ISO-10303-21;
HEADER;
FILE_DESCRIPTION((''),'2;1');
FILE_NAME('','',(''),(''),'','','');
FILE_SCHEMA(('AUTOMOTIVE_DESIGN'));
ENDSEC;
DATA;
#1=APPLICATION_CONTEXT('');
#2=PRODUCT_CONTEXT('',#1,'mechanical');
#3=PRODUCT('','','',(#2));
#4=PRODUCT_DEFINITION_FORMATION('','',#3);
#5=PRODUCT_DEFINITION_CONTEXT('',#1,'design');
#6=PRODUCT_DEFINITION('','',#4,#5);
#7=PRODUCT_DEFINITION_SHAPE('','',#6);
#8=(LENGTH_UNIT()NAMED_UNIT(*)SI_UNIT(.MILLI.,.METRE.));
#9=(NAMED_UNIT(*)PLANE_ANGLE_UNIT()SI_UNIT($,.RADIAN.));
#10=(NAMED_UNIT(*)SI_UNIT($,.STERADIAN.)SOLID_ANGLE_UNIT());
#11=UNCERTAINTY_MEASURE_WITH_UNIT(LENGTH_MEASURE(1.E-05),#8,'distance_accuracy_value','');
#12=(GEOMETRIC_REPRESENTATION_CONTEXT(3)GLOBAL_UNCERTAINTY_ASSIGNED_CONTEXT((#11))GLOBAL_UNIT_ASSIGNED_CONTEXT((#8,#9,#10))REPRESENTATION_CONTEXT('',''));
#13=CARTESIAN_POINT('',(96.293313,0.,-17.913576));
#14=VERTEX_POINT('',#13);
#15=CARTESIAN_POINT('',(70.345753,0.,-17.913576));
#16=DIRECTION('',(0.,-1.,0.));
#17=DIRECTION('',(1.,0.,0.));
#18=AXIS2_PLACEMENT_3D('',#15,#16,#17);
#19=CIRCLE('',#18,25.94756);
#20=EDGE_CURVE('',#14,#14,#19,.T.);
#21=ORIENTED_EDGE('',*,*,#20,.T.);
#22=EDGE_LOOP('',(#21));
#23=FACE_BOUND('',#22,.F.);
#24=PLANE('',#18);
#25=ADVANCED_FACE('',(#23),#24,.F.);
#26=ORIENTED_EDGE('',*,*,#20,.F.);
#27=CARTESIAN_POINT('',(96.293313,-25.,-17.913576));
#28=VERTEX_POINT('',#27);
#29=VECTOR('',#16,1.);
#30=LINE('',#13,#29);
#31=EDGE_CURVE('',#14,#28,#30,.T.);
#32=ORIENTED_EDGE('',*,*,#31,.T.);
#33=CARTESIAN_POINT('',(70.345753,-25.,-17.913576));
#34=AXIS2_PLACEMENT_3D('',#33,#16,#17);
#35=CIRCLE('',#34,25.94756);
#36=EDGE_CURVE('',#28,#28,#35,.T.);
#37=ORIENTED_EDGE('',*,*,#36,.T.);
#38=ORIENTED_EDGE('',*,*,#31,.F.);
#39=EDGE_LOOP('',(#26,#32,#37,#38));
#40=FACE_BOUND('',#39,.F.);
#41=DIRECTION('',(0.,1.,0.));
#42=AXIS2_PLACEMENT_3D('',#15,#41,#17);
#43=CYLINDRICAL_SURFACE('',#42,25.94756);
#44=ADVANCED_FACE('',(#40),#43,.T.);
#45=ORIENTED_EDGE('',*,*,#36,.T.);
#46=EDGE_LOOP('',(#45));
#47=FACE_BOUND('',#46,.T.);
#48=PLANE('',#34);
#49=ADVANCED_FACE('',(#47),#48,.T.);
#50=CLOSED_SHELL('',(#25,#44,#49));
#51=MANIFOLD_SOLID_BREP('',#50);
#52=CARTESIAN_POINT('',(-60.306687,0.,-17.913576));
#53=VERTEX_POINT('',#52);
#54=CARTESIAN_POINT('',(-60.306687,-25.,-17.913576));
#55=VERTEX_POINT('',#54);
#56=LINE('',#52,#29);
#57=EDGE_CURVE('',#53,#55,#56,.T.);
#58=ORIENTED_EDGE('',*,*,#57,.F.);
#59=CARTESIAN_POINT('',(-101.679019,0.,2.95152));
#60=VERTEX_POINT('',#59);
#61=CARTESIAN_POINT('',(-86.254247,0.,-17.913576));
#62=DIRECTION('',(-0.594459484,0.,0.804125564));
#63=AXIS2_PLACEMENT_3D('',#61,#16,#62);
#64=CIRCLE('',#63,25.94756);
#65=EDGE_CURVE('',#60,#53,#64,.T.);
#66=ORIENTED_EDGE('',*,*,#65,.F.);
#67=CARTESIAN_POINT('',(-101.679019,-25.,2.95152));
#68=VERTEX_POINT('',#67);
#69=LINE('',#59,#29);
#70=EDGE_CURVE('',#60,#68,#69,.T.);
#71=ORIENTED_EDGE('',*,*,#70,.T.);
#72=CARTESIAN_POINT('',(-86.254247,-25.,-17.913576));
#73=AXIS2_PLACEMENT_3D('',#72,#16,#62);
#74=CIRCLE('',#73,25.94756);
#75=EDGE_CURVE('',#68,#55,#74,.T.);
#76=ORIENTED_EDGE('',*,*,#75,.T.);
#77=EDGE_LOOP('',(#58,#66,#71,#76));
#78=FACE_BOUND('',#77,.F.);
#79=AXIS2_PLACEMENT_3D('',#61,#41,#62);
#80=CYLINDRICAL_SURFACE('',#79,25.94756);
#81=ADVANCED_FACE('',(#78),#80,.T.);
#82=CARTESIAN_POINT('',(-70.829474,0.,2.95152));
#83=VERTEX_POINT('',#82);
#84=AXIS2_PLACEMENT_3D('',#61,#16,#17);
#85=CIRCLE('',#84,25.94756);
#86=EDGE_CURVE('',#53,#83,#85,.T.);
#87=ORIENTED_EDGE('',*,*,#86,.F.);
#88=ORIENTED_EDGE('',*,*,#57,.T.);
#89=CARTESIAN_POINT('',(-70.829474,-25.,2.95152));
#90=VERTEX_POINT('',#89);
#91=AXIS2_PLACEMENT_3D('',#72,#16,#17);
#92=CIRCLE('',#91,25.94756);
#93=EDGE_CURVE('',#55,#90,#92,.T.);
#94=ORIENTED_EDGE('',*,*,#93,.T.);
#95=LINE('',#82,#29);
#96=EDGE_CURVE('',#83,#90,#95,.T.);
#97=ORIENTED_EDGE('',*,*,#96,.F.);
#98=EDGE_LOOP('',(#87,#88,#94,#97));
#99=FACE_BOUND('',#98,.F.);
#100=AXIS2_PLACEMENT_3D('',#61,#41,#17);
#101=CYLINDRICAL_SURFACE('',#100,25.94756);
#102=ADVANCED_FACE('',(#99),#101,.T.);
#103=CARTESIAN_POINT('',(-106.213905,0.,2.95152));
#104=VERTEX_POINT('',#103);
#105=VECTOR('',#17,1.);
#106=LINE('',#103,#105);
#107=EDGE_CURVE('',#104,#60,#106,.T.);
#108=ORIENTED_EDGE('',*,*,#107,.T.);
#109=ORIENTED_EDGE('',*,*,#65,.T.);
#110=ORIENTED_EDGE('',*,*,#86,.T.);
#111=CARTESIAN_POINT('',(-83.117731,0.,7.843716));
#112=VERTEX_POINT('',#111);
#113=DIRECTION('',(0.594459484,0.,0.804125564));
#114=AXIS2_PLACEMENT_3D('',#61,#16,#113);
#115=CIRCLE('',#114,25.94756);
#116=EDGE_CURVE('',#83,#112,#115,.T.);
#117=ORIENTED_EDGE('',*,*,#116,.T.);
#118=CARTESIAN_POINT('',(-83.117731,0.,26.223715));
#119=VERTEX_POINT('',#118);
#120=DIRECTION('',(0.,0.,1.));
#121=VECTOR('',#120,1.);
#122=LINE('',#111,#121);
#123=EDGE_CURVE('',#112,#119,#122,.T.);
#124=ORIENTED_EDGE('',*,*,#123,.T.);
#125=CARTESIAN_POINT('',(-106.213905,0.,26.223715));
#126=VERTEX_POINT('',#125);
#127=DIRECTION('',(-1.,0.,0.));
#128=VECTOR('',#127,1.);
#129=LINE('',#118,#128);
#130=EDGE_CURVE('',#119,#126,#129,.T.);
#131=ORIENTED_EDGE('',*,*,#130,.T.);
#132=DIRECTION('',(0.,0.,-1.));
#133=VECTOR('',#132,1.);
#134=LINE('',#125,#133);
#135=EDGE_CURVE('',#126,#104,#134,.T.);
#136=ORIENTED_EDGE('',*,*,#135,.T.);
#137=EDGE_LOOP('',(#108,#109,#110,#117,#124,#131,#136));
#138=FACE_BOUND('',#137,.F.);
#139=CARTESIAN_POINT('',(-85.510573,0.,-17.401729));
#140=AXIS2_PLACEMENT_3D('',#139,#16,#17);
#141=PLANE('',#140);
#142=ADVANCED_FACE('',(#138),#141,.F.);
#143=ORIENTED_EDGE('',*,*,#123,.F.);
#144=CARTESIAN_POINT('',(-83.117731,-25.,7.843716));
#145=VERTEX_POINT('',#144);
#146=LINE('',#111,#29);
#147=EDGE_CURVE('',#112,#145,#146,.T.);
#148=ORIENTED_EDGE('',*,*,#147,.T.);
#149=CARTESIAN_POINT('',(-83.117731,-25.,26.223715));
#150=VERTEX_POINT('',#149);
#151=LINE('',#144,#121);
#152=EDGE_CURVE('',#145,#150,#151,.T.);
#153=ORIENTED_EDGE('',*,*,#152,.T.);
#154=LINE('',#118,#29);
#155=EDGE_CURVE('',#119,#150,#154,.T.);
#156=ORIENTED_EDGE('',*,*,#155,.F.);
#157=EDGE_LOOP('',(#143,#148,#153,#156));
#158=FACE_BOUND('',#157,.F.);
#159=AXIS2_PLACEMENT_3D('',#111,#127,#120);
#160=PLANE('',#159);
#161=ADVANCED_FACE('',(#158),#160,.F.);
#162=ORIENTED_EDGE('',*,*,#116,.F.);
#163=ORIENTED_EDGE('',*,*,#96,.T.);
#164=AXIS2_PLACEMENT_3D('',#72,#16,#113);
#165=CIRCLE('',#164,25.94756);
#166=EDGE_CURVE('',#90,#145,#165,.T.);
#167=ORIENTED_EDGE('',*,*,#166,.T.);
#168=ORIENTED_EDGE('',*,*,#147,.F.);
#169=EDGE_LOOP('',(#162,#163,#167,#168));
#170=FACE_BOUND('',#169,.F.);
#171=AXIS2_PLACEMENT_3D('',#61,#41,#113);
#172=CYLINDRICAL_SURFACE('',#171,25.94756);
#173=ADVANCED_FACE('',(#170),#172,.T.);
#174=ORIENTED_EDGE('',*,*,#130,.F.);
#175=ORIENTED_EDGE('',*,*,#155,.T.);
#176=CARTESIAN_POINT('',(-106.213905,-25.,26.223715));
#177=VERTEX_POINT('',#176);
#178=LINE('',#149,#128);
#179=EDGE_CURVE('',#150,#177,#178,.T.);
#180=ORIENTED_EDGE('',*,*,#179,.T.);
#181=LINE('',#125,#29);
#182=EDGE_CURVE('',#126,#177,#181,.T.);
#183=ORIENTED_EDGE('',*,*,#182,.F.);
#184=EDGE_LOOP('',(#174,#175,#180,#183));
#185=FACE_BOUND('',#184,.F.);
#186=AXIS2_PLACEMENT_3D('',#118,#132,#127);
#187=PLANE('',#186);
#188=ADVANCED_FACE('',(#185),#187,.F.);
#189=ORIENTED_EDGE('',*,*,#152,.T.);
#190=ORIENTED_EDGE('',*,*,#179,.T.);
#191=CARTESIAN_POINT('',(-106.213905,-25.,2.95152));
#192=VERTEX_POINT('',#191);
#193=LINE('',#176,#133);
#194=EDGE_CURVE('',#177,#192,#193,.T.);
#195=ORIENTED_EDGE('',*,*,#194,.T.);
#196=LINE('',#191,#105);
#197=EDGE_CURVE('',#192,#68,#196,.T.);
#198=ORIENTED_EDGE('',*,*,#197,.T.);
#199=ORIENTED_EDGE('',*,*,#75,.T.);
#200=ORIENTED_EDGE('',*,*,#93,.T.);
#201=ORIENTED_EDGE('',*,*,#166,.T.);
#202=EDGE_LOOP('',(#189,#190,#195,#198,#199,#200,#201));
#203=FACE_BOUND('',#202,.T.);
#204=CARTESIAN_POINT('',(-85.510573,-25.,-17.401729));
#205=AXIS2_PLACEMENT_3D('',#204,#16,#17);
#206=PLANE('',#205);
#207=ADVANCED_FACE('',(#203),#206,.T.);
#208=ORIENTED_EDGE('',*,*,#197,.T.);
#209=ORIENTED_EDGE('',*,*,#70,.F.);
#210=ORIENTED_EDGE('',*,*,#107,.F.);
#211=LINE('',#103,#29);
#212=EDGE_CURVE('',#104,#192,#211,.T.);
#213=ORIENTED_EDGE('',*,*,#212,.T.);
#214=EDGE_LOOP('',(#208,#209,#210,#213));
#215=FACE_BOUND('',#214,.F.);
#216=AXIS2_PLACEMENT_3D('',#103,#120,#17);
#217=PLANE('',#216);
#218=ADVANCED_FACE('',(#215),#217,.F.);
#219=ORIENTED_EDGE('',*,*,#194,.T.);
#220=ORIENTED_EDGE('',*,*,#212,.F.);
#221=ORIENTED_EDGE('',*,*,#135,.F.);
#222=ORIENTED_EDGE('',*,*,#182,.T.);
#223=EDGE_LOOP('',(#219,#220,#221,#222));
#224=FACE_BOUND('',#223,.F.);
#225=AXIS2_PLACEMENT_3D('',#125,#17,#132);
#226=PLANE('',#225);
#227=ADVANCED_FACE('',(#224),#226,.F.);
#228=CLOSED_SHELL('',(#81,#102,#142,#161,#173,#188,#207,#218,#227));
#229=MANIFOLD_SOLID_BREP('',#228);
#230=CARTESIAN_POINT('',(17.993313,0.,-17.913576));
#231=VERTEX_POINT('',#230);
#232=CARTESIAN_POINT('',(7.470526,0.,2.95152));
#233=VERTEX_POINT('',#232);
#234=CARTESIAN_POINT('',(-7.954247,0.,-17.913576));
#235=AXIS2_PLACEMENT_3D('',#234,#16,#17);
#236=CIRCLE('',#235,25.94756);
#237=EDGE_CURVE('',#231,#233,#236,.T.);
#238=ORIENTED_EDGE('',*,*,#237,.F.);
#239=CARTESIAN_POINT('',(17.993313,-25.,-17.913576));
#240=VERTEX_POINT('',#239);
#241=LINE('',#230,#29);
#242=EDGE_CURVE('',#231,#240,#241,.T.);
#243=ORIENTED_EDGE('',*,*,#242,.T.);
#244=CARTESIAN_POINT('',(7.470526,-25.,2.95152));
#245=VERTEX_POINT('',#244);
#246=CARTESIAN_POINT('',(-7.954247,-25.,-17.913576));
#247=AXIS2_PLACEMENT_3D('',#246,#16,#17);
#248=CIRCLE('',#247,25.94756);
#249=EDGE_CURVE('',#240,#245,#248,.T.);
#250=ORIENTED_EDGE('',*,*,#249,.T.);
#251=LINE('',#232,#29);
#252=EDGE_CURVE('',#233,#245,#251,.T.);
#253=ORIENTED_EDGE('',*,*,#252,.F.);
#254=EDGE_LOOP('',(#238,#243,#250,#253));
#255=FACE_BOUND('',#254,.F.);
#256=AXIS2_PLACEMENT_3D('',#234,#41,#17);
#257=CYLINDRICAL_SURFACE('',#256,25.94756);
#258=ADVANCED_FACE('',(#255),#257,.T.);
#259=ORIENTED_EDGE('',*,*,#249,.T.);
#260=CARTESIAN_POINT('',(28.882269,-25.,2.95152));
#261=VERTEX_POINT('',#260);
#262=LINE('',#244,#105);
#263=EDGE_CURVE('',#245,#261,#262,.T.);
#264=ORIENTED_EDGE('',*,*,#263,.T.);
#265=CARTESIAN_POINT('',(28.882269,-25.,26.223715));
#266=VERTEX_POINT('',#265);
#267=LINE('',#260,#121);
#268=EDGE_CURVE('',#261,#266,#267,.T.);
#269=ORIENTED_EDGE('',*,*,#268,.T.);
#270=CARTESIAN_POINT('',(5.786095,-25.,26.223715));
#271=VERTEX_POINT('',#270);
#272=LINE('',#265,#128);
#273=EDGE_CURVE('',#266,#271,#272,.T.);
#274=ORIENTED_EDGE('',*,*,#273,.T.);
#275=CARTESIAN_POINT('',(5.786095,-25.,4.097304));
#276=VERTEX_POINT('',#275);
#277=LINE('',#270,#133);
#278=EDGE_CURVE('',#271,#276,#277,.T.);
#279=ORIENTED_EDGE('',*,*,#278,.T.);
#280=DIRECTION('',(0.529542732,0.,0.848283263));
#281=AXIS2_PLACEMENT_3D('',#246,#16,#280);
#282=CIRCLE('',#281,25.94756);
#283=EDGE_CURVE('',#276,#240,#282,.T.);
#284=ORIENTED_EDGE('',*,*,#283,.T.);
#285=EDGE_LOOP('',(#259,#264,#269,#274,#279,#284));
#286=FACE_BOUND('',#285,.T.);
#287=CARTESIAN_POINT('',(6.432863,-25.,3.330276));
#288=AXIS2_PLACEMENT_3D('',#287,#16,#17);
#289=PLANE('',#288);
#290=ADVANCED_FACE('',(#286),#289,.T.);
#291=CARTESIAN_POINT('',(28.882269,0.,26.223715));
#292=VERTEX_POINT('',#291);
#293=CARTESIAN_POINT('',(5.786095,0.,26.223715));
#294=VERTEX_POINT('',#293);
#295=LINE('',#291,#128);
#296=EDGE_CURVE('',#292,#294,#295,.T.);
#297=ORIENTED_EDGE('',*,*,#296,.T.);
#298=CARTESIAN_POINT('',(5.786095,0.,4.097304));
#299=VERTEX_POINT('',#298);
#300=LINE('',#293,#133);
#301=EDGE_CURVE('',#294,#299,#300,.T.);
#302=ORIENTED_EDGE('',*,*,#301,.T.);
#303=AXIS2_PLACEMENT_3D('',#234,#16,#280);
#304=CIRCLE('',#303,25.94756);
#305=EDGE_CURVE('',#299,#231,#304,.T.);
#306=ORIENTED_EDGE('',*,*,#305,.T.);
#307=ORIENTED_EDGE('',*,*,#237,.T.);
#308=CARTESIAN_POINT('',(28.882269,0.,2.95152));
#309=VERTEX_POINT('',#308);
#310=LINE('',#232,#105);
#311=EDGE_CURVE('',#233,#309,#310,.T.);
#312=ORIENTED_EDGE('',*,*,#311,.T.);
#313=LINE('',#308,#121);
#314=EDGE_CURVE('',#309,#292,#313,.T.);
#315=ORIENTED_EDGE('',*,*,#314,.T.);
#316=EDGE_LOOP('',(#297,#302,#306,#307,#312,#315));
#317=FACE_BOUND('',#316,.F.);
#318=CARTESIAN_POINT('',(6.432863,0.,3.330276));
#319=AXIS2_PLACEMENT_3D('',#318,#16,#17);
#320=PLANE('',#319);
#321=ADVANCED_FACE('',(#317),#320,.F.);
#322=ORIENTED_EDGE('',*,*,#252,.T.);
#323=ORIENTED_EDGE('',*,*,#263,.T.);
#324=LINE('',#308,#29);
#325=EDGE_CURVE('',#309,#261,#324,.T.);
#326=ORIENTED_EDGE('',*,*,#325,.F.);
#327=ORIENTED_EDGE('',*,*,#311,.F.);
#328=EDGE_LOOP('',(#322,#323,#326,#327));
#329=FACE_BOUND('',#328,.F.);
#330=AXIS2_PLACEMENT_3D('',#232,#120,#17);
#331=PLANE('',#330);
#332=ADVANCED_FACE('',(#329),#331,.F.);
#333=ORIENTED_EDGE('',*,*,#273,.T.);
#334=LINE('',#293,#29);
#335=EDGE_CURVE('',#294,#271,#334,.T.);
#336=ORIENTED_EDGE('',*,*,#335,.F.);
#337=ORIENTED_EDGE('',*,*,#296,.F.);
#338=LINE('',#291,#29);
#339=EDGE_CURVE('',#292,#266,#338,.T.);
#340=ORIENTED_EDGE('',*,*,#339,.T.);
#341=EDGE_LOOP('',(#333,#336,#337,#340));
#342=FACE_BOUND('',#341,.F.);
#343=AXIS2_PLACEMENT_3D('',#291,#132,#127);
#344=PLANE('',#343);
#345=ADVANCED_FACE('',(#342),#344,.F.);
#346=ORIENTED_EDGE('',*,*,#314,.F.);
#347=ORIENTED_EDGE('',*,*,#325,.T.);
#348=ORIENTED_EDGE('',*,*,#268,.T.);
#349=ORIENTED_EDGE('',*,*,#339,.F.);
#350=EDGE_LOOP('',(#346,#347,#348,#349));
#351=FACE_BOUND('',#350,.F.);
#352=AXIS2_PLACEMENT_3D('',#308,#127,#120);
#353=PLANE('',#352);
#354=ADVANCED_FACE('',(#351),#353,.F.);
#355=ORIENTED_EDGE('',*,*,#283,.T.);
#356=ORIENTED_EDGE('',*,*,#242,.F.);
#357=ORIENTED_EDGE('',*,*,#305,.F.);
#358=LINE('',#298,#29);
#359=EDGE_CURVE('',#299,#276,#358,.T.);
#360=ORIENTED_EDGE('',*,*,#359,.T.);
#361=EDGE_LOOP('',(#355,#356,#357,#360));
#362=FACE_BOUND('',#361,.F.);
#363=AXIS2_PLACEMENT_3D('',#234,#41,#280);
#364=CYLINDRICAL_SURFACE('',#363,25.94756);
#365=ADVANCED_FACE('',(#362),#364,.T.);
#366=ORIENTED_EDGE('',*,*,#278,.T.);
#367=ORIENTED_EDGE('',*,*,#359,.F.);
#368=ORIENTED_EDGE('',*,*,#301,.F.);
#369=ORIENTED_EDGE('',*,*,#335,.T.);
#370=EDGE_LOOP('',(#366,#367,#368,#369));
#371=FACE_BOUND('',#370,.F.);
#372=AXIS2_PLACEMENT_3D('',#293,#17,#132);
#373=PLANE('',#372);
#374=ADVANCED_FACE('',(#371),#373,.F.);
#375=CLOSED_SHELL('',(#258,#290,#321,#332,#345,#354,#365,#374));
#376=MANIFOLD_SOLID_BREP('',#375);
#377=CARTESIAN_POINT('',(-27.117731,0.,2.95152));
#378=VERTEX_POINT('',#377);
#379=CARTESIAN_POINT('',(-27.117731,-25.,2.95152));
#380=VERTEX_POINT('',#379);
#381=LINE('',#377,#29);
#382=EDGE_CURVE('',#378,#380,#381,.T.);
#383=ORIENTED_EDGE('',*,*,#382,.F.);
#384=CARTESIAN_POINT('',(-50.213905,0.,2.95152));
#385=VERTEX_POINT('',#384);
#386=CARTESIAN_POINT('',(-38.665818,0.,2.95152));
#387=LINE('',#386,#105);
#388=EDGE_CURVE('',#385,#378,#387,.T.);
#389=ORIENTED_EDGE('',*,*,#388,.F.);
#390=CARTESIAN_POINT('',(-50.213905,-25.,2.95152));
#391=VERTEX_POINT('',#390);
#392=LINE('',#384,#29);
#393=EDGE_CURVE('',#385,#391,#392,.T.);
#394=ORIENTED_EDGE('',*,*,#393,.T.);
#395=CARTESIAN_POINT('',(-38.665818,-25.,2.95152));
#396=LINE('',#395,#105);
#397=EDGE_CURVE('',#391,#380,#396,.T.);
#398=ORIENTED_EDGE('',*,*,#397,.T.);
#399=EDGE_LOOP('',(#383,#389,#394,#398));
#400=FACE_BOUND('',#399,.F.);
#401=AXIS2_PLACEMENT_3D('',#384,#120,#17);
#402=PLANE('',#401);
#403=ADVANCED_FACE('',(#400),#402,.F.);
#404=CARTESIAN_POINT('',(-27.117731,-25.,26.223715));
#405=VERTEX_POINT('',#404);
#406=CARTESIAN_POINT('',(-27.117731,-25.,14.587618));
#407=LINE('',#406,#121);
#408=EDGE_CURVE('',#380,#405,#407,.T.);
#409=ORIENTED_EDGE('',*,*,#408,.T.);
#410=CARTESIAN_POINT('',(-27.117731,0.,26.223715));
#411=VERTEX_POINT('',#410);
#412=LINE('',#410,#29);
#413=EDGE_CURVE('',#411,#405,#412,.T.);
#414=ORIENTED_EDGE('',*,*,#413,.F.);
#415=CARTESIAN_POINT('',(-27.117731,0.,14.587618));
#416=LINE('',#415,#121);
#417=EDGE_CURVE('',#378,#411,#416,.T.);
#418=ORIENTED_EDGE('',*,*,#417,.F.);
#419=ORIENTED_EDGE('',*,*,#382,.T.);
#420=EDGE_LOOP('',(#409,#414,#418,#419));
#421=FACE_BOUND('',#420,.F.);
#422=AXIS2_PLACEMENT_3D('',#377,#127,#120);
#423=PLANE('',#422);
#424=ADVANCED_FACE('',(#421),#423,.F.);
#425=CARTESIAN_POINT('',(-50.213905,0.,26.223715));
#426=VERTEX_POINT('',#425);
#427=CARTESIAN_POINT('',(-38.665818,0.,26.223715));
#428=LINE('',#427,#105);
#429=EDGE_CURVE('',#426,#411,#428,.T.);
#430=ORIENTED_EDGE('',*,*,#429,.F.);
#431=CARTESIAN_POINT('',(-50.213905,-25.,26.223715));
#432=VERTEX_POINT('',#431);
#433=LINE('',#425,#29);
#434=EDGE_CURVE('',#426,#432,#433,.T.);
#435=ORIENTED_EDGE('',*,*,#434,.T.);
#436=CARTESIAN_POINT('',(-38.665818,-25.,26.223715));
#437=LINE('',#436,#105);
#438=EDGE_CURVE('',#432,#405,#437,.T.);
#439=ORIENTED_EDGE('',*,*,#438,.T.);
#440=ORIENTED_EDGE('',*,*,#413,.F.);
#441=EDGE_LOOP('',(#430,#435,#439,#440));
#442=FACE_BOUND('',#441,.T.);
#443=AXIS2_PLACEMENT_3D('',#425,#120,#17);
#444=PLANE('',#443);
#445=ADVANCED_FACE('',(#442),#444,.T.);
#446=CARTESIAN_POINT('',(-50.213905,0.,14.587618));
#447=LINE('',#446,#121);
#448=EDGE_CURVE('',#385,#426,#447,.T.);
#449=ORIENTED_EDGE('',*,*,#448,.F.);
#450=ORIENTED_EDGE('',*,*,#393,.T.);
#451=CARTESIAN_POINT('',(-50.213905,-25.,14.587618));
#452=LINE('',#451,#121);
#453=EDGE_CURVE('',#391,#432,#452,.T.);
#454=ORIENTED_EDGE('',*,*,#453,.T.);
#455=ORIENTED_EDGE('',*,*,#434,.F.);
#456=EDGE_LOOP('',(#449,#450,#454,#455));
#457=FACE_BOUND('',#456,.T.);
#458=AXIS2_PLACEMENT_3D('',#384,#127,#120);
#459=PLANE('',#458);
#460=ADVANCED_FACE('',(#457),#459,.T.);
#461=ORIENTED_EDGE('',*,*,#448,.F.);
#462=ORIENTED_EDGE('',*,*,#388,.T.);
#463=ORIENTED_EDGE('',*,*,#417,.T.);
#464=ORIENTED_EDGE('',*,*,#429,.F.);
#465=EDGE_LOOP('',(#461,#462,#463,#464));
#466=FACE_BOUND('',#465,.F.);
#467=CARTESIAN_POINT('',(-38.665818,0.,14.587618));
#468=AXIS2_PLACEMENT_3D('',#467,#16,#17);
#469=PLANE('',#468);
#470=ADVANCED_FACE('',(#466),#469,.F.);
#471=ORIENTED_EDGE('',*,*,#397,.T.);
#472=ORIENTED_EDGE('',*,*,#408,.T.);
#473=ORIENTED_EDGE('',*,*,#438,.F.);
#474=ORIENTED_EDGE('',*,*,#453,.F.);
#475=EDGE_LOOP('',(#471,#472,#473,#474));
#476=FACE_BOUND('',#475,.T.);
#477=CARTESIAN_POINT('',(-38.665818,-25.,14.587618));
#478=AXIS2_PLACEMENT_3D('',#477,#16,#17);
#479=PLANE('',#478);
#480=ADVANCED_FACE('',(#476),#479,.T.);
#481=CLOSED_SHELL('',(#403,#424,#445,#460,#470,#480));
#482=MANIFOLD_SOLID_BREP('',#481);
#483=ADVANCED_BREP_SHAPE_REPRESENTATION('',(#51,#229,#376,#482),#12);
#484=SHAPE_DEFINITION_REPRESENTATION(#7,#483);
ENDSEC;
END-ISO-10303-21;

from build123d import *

# Parameters (mm, degrees)
F3_DEPTH = 25
F2_W     = 23.0961740017
F2_H     = 23.2721955981
F2_R     = 25.9475596249


with BuildPart() as f3:
    # F2 (on Front) → F3 (new body)
    with BuildSketch(Plane.XZ):
        with BuildLine():
            Line((5.7860950828, 4.0973043387), (5.7860950828, 2.9515197966))
            Line((5.7860950828, 2.9515197966), (7.4705263631, 2.9515197966))
            ThreePointArc((7.4705263631, 2.9515197966), (6.6395597449, 3.5409493867), (5.7860950828, 4.0973043387))
        make_face()
        with BuildLine():
            Line((7.4705263631, 2.9515197966), (5.7860950828, 2.9515197966))
            Line((5.7860950828, 2.9515197966), (5.7860950828, 4.0973043387))
            ThreePointArc((5.7860950828, 4.0973043387), (-20.5389101587, 4.7778779449), (-33.9018061578, -17.9135762155))
            ThreePointArc((-33.9018061578, -17.9135762155), (-7.9542465329, -43.8611358404), (17.993313092, -17.9135762155))
            ThreePointArc((17.993313092, -17.9135762155), (15.2137385425, -6.2293852707), (7.4705263631, 2.9515197966))
        make_face()
        with BuildLine():
            ThreePointArc((5.7860950828, 4.0973043387), (6.6395597449, 3.5409493867), (7.4705263631, 2.9515197966))
            Line((7.4705263631, 2.9515197966), (28.8822690845, 2.9515197966))
            Line((28.8822690845, 2.9515197966), (28.8822690845, 26.2237153947))
            Line((28.8822690845, 26.2237153947), (5.7860950828, 26.2237153947))
            Line((5.7860950828, 26.2237153947), (5.7860950828, 4.0973043387))
        make_face()
    extrude(amount=F3_DEPTH)


with BuildPart() as f3b:
    # F2 (on Front) → F3, piece 2 (new body)
    with BuildSketch(Plane.XZ):
        with Locations((-38.6658179164, 14.5876175957)):
            Rectangle(F2_W, F2_H)
    extrude(amount=F3_DEPTH)


with BuildPart() as f3c:
    # F2 (on Front) → F3, piece 3 (new body)
    with BuildSketch(Plane.XZ):
        with BuildLine():
            ThreePointArc((-101.6790194289, 2.9515197966), (-97.9384374777, -41.0815612909), (-60.306686908, -17.9135762155))
            ThreePointArc((-60.306686908, -17.9135762155), (-63.0862614575, -6.2293852707), (-70.8294736369, 2.9515197966))
            Line((-70.8294736369, 2.9515197966), (-83.1177309155, 2.9515197966))
            Line((-83.1177309155, 2.9515197966), (-101.6790194289, 2.9515197966))
        make_face()
        with BuildLine():
            Line((-83.1177309155, 2.9515197966), (-70.8294736369, 2.9515197966))
            ThreePointArc((-70.8294736369, 2.9515197966), (-76.6566554499, 6.1937275718), (-83.1177309155, 7.8437163493))
            Line((-83.1177309155, 7.8437163493), (-83.1177309155, 2.9515197966))
        make_face()
        with BuildLine():
            Line((-106.2139049172, 2.9515197966), (-101.6790194289, 2.9515197966))
            ThreePointArc((-101.6790194289, 2.9515197966), (-92.8673935534, 7.1771020729), (-83.1177309155, 7.8437163493))
            Line((-83.1177309155, 7.8437163493), (-83.1177309155, 26.2237153947))
            Line((-83.1177309155, 26.2237153947), (-106.2139049172, 26.2237153947))
            Line((-106.2139049172, 26.2237153947), (-106.2139049172, 2.9515197966))
        make_face()
        with BuildLine():
            ThreePointArc((-83.1177309155, 7.8437163493), (-92.8673935534, 7.1771020729), (-101.6790194289, 2.9515197966))
            Line((-101.6790194289, 2.9515197966), (-83.1177309155, 2.9515197966))
            Line((-83.1177309155, 2.9515197966), (-83.1177309155, 7.8437163493))
        make_face()
    extrude(amount=F3_DEPTH)


with BuildPart() as f3d:
    # F2 (on Front) → F3, piece 4 (new body)
    with BuildSketch(Plane.XZ):
        with Locations((70.3457534671, -17.9135762155)):
            Circle(F2_R)
    extrude(amount=F3_DEPTH)


solid = Compound([f3.part, f3b.part, f3c.part, f3d.part])
